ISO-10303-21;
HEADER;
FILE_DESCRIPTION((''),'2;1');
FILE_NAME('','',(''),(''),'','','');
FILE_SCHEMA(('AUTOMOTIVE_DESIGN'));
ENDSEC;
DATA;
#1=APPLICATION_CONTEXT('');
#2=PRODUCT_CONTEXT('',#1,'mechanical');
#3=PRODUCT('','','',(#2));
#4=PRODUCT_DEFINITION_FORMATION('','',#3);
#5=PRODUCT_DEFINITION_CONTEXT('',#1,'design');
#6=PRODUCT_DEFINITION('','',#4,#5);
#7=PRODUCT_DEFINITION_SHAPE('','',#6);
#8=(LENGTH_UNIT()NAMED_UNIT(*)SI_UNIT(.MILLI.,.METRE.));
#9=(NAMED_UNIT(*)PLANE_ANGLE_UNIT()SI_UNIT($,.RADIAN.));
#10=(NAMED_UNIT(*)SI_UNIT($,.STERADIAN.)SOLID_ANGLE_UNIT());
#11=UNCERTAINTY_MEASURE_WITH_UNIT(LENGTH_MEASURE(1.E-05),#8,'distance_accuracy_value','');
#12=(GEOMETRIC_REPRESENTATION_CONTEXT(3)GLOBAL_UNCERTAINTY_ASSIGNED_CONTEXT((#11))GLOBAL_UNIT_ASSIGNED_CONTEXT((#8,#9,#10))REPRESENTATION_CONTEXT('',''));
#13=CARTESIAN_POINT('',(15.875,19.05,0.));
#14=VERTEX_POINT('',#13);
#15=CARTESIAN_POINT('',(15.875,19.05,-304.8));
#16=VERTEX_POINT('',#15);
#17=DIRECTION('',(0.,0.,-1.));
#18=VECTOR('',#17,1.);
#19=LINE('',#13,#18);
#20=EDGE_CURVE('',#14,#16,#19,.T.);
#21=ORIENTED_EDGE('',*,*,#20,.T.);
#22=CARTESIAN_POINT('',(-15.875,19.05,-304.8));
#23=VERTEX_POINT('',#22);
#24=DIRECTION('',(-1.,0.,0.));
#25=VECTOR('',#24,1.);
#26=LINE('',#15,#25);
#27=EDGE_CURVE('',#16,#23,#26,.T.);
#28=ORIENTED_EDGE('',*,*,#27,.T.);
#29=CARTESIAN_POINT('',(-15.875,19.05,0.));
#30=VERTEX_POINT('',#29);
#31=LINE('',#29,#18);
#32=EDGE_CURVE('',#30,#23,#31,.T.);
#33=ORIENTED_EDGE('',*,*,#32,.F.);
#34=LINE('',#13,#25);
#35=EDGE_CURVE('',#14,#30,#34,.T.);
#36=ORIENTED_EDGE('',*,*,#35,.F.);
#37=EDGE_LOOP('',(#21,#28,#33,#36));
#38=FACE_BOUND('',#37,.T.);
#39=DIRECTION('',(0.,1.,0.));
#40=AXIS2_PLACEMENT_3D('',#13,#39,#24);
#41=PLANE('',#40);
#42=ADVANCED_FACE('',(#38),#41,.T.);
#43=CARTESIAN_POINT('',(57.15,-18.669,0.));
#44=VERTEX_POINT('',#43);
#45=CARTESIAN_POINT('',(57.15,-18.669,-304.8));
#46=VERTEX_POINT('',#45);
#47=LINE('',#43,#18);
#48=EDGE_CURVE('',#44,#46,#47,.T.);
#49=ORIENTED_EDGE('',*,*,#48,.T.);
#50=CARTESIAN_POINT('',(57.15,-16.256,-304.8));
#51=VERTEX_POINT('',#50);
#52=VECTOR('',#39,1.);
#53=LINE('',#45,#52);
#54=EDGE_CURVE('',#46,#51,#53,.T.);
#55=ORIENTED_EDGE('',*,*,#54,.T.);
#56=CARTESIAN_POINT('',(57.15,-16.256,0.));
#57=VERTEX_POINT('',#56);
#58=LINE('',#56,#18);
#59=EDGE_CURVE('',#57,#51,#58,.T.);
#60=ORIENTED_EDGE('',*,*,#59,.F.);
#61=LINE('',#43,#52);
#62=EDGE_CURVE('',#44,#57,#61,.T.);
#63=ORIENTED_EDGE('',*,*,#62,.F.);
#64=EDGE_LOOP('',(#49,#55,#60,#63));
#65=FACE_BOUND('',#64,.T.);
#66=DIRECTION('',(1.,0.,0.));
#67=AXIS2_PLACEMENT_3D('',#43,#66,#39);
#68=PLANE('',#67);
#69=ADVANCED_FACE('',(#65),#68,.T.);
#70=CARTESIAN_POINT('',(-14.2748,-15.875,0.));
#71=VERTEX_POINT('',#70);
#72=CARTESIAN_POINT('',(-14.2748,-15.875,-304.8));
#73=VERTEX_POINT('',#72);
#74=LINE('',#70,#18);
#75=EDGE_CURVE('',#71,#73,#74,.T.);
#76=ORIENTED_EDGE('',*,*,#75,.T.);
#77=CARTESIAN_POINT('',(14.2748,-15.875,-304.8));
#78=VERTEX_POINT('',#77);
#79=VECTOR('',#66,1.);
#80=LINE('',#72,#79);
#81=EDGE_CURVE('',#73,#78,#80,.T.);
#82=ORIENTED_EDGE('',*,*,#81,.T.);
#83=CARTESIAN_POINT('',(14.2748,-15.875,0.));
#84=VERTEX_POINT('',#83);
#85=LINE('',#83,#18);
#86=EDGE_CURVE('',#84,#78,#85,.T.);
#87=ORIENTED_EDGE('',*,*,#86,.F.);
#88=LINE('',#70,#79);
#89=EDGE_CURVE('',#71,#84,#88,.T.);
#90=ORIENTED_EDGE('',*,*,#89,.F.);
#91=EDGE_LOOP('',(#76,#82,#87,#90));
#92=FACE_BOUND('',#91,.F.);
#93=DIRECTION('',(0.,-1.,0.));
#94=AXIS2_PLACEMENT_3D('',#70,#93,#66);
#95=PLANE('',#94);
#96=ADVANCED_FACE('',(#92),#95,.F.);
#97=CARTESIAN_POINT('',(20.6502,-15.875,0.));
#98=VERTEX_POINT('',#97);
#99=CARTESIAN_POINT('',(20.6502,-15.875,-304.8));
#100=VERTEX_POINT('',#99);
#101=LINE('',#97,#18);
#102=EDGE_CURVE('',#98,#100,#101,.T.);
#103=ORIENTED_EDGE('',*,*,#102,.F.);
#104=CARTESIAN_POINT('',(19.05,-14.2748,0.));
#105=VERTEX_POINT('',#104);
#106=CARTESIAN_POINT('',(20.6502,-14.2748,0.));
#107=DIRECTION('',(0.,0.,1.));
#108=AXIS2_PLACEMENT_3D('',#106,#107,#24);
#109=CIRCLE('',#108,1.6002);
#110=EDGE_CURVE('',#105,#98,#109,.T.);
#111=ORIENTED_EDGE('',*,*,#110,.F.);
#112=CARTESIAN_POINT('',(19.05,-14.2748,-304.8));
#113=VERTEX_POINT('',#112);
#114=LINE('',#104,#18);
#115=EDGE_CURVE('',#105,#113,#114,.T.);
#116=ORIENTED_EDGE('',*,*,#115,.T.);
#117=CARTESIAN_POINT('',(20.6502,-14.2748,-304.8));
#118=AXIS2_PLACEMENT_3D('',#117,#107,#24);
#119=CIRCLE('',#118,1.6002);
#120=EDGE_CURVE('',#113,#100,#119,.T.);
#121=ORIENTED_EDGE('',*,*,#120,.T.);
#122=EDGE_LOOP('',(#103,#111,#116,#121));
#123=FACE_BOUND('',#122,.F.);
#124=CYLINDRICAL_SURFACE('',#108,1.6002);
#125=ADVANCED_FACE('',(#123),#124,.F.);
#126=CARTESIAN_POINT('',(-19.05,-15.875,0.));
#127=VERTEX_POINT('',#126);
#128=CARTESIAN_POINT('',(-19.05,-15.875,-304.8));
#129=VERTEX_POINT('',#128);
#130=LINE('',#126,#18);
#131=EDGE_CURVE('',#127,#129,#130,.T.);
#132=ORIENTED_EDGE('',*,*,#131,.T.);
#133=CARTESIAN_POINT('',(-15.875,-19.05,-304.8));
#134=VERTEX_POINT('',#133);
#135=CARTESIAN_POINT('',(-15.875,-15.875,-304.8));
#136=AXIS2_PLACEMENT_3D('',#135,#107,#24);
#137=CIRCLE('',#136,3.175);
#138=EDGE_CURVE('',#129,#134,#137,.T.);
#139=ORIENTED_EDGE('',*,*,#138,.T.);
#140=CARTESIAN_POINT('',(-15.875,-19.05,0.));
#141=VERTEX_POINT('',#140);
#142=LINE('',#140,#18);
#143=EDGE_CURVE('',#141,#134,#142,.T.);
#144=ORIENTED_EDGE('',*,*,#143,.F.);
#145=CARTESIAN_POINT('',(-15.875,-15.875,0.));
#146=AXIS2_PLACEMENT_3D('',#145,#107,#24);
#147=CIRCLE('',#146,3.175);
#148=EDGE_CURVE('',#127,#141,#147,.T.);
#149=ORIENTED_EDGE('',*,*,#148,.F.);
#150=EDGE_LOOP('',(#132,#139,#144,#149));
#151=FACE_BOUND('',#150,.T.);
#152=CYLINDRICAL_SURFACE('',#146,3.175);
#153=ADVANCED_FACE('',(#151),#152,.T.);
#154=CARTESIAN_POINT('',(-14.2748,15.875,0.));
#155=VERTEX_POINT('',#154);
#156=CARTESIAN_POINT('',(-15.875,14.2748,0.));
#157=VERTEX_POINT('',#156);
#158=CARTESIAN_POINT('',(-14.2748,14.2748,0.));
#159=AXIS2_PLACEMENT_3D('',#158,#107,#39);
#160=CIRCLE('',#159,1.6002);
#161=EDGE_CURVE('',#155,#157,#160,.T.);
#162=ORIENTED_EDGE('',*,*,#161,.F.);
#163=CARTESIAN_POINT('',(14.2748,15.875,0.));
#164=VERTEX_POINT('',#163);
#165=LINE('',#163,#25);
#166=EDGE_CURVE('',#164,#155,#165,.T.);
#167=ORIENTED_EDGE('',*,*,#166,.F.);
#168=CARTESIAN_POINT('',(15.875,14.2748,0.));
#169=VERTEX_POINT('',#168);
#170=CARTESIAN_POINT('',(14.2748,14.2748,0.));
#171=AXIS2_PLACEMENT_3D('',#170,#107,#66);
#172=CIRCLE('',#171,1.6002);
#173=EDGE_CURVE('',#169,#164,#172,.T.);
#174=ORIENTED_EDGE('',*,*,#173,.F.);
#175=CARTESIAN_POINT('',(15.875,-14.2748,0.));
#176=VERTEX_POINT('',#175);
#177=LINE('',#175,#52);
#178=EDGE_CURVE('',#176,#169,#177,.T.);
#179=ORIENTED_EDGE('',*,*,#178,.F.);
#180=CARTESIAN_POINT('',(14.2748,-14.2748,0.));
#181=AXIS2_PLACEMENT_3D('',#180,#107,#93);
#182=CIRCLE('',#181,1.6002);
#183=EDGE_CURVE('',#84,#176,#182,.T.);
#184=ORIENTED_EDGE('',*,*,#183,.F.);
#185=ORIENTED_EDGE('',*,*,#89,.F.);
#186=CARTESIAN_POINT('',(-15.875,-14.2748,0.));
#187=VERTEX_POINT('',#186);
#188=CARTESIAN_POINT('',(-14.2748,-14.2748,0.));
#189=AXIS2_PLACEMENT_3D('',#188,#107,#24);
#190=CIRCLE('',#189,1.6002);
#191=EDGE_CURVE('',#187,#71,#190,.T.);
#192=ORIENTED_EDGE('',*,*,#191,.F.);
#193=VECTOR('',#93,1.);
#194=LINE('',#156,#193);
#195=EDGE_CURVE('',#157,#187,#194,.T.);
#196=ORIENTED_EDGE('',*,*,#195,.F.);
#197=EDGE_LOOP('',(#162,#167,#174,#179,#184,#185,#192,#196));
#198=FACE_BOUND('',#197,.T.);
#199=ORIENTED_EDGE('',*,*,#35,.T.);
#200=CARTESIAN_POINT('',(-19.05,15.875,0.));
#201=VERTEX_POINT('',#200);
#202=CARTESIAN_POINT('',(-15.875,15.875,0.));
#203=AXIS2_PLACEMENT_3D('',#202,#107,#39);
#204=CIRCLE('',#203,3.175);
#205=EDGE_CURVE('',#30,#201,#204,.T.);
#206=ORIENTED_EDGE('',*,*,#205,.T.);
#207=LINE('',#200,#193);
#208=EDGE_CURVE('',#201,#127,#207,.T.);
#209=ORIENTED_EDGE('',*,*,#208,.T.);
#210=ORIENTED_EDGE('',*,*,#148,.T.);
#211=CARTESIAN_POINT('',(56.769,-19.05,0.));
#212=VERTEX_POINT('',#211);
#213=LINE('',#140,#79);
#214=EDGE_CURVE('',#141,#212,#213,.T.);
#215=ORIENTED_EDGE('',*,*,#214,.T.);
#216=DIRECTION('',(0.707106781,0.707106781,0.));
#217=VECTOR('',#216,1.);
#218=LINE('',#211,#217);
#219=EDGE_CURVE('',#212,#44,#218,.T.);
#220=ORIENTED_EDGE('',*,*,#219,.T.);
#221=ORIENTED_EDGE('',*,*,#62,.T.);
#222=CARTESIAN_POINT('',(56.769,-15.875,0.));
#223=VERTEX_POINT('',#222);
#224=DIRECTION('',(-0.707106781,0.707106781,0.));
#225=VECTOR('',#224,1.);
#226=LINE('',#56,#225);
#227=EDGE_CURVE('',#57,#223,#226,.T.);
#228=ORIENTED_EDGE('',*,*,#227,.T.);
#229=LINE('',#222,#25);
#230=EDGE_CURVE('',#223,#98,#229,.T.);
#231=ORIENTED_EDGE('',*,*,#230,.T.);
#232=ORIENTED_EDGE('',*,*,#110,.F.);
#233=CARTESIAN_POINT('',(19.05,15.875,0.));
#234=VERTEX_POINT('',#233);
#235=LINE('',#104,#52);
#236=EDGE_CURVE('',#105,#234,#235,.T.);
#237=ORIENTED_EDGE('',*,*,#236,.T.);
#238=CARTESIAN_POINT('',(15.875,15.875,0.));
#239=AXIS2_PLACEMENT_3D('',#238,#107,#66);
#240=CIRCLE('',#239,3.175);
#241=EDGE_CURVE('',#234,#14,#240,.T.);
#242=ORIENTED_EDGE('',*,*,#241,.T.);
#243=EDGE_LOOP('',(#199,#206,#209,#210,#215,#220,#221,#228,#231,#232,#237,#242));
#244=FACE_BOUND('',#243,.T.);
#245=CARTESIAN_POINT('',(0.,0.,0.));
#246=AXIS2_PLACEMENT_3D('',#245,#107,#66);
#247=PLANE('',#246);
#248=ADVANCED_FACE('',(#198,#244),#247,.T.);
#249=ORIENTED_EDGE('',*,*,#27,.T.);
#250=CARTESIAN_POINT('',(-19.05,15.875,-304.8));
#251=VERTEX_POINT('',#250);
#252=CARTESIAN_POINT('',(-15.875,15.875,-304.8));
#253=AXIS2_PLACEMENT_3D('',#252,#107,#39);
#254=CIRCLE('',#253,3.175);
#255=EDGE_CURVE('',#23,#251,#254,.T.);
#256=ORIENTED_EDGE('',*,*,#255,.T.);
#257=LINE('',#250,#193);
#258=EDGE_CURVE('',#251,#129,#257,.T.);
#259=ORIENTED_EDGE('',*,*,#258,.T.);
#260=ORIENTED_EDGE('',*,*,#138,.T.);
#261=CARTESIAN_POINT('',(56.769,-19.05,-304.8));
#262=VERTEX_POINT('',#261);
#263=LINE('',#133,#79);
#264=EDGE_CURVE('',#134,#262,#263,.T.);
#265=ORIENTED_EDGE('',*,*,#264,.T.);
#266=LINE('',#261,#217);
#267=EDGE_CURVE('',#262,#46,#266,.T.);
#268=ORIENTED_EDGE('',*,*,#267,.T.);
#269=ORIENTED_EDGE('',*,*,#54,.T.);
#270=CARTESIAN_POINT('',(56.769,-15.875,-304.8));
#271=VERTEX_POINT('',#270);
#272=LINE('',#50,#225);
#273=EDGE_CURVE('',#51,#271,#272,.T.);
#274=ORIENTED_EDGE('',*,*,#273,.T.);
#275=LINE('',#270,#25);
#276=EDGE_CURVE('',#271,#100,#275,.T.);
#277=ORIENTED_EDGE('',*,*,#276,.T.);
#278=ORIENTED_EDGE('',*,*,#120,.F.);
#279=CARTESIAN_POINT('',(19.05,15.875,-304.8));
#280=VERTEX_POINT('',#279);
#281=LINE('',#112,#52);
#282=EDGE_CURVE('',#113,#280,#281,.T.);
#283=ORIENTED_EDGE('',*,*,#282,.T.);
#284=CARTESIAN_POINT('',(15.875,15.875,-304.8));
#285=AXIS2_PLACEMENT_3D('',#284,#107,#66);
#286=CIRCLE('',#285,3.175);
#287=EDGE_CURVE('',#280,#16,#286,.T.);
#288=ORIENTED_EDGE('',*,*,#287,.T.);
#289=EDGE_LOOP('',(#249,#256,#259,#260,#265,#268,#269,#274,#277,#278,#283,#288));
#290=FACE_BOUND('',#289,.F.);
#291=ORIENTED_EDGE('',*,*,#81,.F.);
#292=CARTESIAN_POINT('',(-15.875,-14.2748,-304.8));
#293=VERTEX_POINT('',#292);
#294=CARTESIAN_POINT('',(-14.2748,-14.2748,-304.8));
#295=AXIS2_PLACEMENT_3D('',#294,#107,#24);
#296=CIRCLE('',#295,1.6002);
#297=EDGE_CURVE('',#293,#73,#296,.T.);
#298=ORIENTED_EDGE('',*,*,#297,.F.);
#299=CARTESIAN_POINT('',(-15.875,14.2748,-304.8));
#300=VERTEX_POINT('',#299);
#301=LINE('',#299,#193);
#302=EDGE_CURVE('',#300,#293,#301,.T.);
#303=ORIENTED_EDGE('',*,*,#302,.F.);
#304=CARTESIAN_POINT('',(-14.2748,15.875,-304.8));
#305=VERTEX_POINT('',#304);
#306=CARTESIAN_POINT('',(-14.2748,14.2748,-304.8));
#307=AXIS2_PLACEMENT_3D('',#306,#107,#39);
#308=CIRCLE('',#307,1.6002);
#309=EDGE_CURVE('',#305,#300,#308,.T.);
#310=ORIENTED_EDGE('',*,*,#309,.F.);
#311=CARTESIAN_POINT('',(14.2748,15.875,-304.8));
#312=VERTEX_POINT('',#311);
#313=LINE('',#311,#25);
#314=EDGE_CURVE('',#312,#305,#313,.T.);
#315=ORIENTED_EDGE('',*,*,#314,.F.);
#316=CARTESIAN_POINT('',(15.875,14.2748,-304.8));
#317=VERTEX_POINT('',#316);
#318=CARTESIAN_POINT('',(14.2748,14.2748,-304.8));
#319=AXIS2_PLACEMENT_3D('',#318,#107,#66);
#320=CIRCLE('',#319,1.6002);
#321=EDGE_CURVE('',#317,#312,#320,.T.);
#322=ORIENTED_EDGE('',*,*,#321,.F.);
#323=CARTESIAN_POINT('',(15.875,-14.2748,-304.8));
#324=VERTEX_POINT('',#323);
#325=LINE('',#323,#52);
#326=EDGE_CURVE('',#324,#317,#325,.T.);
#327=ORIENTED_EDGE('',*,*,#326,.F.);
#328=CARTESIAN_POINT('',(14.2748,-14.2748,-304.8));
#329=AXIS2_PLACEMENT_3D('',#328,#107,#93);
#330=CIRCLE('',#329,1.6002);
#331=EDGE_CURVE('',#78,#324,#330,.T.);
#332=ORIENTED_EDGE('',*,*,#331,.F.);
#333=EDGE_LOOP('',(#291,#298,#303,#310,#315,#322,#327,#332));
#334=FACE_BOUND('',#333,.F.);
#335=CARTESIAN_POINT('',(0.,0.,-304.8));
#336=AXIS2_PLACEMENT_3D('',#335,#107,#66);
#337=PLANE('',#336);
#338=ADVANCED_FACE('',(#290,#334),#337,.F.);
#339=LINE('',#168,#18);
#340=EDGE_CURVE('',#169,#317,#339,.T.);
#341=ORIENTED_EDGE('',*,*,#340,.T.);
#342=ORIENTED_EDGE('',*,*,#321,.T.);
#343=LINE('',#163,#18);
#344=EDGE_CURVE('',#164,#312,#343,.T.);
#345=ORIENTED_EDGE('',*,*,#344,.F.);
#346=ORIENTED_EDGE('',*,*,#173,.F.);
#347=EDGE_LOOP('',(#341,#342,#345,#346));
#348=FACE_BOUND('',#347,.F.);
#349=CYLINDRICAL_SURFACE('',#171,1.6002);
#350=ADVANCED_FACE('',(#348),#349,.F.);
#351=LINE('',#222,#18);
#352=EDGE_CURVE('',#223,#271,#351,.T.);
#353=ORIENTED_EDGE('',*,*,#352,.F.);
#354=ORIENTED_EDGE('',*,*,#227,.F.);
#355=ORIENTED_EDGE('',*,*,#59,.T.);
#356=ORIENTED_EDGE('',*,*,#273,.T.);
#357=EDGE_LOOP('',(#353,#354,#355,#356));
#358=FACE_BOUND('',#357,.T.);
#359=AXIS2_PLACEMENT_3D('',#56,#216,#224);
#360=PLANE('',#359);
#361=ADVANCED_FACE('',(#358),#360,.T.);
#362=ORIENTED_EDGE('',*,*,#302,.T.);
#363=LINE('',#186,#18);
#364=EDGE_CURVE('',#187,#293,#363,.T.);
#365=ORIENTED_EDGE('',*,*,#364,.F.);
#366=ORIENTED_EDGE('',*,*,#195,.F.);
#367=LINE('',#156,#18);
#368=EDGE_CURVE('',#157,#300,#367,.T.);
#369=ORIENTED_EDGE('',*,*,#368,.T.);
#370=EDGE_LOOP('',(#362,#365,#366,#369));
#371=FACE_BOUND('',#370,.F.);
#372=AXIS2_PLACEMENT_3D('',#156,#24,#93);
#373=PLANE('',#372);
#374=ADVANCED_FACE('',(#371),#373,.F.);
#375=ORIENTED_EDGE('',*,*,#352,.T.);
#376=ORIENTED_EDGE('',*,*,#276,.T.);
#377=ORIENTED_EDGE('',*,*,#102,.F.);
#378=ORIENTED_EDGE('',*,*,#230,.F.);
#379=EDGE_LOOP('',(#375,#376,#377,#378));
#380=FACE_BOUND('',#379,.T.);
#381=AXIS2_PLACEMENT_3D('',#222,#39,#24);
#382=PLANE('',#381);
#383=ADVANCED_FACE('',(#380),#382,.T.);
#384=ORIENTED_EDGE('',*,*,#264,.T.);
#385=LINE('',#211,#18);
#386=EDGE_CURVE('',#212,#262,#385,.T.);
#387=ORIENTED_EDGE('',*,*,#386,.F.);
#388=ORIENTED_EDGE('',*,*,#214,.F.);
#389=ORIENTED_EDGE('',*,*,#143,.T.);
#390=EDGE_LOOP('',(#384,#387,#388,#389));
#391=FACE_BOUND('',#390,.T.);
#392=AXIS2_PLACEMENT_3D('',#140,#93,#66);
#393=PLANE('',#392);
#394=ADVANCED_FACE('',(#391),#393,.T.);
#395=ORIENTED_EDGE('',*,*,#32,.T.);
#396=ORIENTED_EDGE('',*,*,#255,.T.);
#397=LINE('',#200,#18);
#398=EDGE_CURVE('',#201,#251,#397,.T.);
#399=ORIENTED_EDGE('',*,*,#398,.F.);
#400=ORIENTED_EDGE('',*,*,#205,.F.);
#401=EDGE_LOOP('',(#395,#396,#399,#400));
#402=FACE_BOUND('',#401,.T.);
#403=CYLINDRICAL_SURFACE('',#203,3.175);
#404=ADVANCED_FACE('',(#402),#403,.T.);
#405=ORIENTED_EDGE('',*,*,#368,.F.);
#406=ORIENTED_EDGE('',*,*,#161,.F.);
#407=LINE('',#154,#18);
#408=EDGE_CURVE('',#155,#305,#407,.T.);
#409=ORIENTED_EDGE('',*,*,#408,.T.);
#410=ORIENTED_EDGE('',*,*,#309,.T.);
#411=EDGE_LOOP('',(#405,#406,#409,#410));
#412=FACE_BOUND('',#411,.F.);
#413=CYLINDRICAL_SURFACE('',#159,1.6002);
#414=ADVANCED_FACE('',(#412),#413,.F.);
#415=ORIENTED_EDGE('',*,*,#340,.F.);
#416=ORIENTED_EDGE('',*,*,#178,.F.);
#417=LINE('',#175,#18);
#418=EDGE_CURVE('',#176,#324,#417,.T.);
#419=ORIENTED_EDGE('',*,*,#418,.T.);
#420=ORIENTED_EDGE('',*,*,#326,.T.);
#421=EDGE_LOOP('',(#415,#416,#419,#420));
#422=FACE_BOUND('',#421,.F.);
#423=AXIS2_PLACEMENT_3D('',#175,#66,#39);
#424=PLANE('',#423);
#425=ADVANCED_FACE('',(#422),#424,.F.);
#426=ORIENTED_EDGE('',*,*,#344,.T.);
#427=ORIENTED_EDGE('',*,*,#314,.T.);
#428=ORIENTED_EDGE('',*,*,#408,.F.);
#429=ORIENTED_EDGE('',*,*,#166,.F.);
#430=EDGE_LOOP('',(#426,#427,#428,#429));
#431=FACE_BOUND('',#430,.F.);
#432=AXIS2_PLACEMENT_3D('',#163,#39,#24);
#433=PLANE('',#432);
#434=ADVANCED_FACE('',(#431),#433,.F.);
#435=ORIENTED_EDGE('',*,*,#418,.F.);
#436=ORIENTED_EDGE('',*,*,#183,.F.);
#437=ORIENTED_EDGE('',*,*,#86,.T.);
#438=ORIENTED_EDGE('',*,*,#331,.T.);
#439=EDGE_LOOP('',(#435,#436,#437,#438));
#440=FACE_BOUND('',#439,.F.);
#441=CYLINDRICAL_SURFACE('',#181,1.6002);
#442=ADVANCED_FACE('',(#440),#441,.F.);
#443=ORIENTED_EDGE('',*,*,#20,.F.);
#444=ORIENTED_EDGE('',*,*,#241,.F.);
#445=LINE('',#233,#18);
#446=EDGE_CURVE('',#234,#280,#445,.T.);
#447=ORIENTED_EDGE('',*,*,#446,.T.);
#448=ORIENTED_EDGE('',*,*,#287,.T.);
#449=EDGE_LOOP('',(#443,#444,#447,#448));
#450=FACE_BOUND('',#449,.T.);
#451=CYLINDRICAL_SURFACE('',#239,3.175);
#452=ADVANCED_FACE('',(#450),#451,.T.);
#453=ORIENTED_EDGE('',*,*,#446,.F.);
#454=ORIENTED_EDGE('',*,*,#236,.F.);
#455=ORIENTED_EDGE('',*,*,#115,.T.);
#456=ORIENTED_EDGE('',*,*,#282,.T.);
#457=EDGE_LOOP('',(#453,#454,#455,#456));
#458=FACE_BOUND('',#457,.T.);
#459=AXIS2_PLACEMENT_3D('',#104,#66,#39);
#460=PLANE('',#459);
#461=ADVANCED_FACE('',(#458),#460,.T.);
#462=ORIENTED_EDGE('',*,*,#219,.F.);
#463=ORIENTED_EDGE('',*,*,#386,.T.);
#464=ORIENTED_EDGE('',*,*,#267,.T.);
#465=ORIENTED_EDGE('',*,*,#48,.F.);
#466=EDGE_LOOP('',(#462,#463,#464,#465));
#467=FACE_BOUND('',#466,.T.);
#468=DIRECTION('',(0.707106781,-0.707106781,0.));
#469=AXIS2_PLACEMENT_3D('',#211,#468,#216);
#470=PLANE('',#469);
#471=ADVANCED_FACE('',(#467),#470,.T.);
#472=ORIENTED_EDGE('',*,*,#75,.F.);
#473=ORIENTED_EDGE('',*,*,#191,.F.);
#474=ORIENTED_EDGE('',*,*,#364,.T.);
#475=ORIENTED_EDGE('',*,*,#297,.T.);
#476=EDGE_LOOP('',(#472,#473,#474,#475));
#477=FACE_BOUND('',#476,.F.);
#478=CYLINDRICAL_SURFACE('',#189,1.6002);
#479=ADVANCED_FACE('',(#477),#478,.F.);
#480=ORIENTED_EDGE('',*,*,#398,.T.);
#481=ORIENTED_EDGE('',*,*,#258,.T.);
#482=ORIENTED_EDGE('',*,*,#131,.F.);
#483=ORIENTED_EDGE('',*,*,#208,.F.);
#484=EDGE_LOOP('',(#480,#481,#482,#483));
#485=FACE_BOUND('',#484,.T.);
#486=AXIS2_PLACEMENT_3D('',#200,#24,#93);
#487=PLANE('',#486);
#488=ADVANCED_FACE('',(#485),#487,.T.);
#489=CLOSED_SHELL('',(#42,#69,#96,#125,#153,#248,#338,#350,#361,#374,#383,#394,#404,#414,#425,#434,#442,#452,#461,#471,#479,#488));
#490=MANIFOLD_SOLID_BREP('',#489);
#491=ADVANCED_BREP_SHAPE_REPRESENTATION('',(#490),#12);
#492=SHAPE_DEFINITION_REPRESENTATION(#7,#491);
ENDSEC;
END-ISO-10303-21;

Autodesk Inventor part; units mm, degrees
ref_plane "YZ Plane" through (0, 0, 0) normal (1, 0, 0) x (0, 1, 0)
ref_plane "XZ Plane" through (0, 0, 0) normal (0, 1, 0) x (-1, 0, 0)
ref_plane "XY Plane" through (0, 0, 0) normal (0, 0, 1) x (1, 0, 0)
sketch "Sketch1" plane through (0, 0, 0) normal (0, 0, 1) x (1, 0, 0)
  arc A0 (14.2748, -15.875) -> (15.875, -14.2748) centre (14.2748, -14.2748) ccw
  line L0 (15.875, -14.2748) -> (15.875, 14.2748)
  arc A1 (15.875, 14.2748) -> (14.2748, 15.875) centre (14.2748, 14.2748) ccw
  arc A2 (-14.2748, 15.875) -> (-15.875, 14.2748) centre (-14.2748, 14.2748) ccw
  line L1 (-15.875, 14.2748) -> (-15.875, -14.2748)
  arc A3 (-15.875, -14.2748) -> (-14.2748, -15.875) centre (-14.2748, -14.2748) ccw
  line L2 (-14.2748, -15.875) -> (14.2748, -15.875)
  line L3 (14.2748, 15.875) -> (-14.2748, 15.875)
  line L4 (-15.875, -19.05) -> (56.769, -19.05)
  line L5 (56.769, -19.05) -> (57.15, -18.669)
  line L6 (57.15, -18.669) -> (57.15, -16.256)
  line L7 (57.15, -16.256) -> (56.769, -15.875)
  line L8 (56.769, -15.875) -> (20.6502, -15.875)
  arc A4 (19.05, -14.2748) -> (20.6502, -15.875) centre (20.6502, -14.2748) ccw
  line L9 (19.05, -14.2748) -> (19.05, 15.875)
  arc A5 (19.05, 15.875) -> (15.875, 19.05) centre (15.875, 15.875) ccw
  line L10 (15.875, 19.05) -> (-15.875, 19.05)
  arc A6 (-15.875, 19.05) -> (-19.05, 15.875) centre (-15.875, 15.875) ccw
  line L11 (-19.05, 15.875) -> (-19.05, -15.875)
  arc A7 (-19.05, -15.875) -> (-15.875, -19.05) centre (-15.875, -15.875) ccw
  point P0 (0, 0)
extrude "Extrusion1" add sketch "Sketch1" against normal blind 304.8
properties part number "9705"
